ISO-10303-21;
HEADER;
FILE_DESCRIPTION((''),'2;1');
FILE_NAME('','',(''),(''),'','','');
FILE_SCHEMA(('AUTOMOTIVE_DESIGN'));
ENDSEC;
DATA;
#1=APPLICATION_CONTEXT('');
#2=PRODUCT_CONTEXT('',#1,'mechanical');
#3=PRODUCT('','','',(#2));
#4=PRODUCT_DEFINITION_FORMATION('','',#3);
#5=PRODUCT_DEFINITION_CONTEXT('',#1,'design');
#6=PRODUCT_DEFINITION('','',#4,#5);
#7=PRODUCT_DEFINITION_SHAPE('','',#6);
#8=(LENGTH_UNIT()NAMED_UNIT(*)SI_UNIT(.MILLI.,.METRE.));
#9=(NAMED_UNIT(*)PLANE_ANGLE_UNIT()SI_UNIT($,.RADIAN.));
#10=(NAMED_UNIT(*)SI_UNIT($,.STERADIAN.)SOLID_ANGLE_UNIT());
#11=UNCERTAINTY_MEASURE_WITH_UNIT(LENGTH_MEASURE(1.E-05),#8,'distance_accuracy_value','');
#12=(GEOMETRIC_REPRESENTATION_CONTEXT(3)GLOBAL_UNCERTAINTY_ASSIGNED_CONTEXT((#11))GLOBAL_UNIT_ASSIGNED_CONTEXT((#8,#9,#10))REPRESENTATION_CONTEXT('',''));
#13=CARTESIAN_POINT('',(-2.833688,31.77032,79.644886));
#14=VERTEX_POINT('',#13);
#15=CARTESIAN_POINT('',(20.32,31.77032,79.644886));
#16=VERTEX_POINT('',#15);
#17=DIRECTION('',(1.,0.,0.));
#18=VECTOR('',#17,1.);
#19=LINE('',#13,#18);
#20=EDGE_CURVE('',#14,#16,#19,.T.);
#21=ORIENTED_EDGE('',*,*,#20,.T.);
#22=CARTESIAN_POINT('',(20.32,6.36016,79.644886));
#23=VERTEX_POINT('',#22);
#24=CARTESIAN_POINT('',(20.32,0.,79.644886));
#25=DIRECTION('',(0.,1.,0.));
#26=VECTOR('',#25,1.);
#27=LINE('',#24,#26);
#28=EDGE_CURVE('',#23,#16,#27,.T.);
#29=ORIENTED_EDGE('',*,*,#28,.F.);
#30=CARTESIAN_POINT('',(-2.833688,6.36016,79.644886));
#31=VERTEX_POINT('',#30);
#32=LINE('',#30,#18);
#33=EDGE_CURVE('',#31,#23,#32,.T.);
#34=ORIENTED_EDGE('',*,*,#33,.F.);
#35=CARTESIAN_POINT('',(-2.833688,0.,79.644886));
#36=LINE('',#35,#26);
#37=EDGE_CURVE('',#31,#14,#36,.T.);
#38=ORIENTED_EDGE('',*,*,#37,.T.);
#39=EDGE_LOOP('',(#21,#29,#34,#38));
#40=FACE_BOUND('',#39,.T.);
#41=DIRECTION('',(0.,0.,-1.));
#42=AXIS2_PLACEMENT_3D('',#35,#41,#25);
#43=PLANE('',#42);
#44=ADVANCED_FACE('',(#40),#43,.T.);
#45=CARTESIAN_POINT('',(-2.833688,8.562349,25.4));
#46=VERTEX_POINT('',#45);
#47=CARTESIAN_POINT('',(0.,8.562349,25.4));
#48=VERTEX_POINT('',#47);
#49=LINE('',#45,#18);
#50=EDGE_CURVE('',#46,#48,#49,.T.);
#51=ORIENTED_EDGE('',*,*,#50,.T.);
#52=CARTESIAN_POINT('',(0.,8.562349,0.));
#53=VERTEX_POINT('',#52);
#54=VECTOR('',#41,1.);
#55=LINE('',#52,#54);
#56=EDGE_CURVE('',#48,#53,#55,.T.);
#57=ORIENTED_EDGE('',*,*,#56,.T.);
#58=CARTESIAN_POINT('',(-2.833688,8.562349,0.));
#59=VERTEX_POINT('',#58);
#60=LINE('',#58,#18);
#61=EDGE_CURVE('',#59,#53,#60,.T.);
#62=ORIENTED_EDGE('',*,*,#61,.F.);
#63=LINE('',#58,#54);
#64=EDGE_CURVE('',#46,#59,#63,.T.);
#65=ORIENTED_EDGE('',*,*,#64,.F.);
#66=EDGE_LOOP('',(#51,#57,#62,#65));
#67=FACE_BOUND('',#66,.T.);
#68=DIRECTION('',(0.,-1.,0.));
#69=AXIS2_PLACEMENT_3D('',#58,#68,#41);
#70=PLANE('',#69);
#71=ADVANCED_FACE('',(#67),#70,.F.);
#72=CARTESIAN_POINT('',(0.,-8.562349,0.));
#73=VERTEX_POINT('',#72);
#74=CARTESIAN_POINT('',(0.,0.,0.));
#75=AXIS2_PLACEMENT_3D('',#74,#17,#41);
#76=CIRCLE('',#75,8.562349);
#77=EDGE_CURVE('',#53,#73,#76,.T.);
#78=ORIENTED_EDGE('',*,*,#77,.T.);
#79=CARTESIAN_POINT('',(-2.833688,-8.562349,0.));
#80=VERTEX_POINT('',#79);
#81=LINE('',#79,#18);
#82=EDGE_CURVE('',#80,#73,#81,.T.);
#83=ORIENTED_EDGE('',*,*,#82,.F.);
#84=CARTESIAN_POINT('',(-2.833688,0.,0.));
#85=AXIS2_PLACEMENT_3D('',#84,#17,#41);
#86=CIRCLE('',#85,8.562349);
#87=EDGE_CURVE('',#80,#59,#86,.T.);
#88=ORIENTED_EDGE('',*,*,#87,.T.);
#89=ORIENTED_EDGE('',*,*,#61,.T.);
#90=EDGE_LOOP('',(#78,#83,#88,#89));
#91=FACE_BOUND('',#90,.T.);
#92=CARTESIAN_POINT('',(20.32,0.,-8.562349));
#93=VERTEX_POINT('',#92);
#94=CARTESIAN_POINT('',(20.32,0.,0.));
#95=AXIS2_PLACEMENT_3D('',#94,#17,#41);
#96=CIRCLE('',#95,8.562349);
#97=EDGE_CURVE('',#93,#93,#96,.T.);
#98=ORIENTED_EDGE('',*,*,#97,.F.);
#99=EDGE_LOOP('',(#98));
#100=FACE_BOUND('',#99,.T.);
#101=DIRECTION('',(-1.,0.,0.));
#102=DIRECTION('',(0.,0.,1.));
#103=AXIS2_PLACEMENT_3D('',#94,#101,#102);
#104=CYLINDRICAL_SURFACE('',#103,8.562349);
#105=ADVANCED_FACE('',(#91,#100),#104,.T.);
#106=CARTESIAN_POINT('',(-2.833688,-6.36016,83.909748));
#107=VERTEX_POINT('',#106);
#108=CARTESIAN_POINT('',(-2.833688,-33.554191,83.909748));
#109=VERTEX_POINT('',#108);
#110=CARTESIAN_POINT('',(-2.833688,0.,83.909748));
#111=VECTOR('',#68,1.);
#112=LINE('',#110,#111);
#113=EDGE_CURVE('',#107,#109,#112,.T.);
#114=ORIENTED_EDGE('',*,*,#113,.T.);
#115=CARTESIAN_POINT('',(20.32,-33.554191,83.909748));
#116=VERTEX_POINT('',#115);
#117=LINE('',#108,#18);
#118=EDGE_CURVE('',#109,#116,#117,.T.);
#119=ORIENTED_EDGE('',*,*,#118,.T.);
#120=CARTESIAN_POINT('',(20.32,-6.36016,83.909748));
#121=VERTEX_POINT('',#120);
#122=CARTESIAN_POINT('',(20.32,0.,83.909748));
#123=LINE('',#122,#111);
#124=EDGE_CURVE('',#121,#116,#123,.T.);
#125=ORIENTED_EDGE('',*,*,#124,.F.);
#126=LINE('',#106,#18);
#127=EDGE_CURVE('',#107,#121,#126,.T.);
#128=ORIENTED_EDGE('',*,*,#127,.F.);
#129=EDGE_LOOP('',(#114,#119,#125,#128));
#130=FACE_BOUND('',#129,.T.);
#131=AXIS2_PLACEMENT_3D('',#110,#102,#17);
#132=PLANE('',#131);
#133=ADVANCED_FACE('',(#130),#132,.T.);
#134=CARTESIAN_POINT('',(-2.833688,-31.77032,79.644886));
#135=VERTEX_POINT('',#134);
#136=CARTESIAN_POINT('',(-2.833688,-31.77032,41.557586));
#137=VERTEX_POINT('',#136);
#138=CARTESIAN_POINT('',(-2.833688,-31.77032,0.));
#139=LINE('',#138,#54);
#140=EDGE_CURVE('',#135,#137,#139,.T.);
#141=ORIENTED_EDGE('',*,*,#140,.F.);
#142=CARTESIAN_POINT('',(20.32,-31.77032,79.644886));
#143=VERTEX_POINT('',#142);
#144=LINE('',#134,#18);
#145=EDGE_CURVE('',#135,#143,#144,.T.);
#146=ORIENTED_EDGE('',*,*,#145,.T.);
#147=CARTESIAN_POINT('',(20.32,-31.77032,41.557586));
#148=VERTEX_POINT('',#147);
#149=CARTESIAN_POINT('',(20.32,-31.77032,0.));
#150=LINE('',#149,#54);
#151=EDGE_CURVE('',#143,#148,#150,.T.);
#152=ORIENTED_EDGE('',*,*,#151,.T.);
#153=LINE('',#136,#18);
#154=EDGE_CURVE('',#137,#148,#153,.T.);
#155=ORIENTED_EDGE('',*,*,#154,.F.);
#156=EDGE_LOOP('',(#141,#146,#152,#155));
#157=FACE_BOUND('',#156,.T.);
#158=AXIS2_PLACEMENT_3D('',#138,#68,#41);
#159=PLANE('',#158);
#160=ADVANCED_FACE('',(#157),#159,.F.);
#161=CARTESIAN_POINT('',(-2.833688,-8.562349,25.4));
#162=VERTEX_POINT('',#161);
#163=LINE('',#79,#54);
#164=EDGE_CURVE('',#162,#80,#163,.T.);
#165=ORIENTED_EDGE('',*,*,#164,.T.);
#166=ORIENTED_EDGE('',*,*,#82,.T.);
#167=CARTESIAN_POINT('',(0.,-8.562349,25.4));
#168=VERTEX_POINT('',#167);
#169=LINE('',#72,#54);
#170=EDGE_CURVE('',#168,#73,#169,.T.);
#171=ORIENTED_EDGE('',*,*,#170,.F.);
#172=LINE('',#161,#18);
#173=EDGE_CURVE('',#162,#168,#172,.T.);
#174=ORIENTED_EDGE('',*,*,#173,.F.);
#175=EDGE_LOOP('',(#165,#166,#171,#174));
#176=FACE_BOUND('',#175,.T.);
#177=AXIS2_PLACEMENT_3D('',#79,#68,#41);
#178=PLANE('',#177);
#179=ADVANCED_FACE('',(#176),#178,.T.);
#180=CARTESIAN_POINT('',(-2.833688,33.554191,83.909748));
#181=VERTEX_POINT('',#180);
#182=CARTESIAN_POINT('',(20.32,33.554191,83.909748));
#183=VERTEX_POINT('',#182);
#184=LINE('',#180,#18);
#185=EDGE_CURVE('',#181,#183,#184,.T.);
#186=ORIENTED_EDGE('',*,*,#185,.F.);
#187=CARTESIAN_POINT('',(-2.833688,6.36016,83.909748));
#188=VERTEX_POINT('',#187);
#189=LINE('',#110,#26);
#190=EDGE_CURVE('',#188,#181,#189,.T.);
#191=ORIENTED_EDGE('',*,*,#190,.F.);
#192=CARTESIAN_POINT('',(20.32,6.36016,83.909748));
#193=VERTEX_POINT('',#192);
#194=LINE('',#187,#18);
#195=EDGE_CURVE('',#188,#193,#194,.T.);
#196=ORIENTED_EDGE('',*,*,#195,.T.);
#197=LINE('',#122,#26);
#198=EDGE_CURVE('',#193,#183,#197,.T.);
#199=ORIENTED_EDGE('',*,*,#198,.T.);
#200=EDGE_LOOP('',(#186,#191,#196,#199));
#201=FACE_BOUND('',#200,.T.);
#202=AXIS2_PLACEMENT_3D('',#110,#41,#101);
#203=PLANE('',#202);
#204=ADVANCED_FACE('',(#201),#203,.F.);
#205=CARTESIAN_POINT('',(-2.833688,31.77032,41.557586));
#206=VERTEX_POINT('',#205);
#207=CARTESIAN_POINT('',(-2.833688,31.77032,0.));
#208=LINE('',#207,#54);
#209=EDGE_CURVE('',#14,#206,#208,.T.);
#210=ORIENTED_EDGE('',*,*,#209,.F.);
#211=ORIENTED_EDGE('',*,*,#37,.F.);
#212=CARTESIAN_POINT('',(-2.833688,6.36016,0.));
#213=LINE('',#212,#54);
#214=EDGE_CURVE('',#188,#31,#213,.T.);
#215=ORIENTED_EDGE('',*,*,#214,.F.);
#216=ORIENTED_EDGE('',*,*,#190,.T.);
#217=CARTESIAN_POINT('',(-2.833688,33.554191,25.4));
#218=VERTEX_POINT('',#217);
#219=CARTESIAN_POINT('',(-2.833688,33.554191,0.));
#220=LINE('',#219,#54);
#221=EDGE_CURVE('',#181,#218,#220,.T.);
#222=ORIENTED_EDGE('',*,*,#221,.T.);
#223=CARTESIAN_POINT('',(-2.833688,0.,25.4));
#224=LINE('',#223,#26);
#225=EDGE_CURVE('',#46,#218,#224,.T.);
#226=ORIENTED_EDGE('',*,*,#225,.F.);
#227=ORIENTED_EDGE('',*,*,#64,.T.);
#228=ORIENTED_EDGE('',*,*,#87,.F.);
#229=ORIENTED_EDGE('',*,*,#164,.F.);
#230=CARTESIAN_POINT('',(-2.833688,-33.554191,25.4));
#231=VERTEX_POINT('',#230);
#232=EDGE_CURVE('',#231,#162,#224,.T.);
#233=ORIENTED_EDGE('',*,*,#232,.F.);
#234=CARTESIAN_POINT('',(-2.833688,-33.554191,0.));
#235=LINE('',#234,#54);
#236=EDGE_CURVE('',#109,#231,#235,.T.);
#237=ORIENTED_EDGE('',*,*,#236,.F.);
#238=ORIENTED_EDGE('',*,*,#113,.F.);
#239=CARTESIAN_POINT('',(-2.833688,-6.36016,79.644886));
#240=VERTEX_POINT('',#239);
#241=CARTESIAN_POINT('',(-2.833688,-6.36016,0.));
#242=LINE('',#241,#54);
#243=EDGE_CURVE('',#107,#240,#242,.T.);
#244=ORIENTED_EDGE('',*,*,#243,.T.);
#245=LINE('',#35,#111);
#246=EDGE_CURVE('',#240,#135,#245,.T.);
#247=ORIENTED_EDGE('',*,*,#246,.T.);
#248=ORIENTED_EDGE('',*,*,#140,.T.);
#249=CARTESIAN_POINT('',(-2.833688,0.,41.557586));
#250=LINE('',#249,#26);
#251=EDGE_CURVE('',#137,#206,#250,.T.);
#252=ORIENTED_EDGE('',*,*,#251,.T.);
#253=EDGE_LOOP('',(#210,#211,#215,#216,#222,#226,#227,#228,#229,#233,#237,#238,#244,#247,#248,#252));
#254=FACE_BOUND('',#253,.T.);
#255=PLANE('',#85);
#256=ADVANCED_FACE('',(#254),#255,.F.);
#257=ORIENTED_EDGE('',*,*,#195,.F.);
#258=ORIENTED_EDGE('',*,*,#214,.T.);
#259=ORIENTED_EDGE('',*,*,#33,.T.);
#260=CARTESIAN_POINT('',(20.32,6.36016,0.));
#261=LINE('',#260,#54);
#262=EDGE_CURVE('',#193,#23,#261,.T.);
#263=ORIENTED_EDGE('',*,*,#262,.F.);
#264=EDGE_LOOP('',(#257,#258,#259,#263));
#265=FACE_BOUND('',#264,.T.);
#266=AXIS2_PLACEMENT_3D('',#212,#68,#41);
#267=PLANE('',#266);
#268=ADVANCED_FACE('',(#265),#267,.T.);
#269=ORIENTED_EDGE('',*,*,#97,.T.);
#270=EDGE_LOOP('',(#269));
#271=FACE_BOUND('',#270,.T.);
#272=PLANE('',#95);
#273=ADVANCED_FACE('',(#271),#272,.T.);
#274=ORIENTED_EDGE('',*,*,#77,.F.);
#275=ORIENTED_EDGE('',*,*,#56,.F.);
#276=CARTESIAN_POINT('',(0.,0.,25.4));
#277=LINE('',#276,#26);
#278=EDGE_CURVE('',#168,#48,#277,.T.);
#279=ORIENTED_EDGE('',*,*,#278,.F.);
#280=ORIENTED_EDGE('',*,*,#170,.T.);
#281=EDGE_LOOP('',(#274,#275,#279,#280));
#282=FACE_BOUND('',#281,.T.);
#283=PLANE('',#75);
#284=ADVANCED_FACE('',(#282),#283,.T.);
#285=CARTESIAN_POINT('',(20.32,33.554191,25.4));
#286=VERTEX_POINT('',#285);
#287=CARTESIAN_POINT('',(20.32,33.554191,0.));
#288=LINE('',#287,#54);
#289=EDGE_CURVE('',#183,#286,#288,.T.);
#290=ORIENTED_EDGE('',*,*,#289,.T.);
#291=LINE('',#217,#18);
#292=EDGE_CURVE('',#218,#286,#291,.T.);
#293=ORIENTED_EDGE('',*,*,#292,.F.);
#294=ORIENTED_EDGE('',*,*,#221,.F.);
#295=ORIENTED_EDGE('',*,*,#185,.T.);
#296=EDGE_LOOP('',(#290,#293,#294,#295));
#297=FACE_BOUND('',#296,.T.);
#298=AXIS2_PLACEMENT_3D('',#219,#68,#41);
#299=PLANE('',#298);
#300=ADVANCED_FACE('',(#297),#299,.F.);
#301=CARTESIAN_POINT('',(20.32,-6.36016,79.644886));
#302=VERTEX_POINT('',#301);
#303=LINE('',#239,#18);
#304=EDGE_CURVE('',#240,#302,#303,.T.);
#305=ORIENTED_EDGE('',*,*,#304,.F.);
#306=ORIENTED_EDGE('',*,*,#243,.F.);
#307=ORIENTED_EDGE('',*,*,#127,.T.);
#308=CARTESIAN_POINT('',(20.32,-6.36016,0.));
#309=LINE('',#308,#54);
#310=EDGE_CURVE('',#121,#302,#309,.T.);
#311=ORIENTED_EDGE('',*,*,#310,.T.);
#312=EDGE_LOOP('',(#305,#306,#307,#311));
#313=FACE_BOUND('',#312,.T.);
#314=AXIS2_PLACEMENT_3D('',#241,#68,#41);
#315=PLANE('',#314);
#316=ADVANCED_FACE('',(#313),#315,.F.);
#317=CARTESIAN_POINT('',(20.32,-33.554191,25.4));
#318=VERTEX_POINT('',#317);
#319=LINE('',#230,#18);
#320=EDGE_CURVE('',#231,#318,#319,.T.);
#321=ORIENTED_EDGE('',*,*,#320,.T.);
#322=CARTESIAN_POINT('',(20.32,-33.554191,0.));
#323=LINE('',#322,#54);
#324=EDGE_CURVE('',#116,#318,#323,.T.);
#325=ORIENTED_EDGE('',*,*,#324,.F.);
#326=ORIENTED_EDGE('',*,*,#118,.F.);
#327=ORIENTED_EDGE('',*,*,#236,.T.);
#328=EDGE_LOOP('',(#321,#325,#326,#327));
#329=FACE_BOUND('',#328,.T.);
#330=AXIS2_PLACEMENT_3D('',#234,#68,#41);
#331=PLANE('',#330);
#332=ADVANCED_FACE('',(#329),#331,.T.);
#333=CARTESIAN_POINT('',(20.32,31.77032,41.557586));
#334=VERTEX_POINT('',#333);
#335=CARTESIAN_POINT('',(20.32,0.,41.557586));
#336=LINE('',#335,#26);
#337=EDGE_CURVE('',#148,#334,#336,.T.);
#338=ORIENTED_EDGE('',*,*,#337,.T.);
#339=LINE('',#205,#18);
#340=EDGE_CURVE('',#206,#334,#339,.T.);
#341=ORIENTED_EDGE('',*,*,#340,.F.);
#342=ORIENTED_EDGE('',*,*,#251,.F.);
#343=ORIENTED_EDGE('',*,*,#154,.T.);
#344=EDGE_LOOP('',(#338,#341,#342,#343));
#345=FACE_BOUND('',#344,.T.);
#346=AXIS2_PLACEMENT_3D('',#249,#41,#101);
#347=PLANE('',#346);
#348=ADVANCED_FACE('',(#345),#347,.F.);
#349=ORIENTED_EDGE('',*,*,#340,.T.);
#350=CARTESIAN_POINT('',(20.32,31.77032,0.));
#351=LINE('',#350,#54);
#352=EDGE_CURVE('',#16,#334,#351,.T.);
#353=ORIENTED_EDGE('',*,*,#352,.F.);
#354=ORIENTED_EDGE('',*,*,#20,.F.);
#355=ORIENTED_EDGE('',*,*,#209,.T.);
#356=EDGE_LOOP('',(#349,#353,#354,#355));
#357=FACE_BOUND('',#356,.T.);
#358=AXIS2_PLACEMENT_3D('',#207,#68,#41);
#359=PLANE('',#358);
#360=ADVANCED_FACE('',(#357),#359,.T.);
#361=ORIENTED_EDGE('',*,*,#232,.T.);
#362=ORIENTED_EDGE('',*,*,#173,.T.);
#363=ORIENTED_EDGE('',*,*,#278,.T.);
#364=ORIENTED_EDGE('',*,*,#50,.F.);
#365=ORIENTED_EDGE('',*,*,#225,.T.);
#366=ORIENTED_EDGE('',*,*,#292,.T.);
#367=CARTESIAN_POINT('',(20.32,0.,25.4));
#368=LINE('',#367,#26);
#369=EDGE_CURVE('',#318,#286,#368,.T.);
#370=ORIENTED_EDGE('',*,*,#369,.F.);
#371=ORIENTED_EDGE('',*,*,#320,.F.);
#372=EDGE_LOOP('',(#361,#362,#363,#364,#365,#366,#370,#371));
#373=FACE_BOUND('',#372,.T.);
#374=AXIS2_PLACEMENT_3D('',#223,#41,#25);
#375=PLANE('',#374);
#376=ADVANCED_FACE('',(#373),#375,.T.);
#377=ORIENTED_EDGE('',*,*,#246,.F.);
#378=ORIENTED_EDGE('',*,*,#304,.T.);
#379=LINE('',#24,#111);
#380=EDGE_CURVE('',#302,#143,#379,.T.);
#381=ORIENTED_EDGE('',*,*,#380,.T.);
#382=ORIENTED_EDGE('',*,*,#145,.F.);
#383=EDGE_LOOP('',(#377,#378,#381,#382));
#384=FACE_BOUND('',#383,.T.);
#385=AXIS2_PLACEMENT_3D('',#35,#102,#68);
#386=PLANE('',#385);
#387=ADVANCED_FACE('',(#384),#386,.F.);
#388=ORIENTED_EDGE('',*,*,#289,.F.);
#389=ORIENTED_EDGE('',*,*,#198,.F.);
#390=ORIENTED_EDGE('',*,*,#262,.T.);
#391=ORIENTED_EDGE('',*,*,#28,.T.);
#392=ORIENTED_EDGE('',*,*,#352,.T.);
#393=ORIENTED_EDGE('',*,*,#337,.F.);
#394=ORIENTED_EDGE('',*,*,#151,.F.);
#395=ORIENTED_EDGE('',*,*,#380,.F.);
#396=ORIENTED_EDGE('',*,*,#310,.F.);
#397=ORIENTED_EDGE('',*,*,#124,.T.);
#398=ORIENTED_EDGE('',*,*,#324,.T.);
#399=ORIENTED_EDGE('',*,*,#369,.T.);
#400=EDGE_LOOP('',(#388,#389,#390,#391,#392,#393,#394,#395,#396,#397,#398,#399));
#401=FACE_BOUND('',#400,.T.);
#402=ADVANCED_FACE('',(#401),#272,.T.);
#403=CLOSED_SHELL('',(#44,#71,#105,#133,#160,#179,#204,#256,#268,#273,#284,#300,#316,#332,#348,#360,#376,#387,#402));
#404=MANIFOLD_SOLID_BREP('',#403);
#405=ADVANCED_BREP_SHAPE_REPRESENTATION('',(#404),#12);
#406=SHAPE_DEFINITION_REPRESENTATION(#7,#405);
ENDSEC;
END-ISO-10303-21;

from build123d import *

# Parameters (mm, degrees)
SKETCH1_R                = 8.562349171
BOSS_EXTRUDE1_DEPTH      = 20.32
BOSS_EXTRUDE2_START      = -2.833688097
SKETCH1_5_R              = 8.562349171
BOSS_EXTRUDE2_DEPTH      = 2.833688097
BOSS_EXTRUDE3_DEPTH      = 20.32
BOSS_EXTRUDE3_DEPTH_BACK = 2.833688097


with BuildPart() as part:
    # Sketch1 → Boss-Extrude1 (new body)
    with BuildSketch(Plane.YZ):
        with Locations(Location((0, 0, 0), (0, 0, 270))):
            Circle(SKETCH1_R)
    extrude(amount=BOSS_EXTRUDE1_DEPTH)

    # Sketch1<5> → Boss-Extrude2 (add)
    with BuildSketch(Plane.YZ.offset(BOSS_EXTRUDE2_START)):
        with Locations(Location((0, 0, 0), (0, 0, 180))):
            Circle(SKETCH1_5_R)
        with BuildLine():
            Line((8.562349171, 25.4), (-8.562349171, 25.4))
            Line((-8.562349171, 25.4), (-8.562349171, 0))
            ThreePointArc((-8.562349171, 0), (0, 8.562349171), (8.562349171, 0))
            Line((8.562349171, 0), (8.562349171, 25.4))
        make_face()
    extrude(amount=BOSS_EXTRUDE2_DEPTH)

    # Sketch1<6> → Boss-Extrude3 (add, two sides: drawn at the far end of the back side and taken through both)
    with BuildSketch(Plane.YZ.offset(-BOSS_EXTRUDE3_DEPTH_BACK)):
        Polygon((-33.554191153, 25.4), (-8.562349171, 25.4), (8.562349171, 25.4), (33.554191153, 25.4), (33.554191153, 83.9097483), (6.36016, 83.9097483), (6.36016, 79.644886138), (31.77032, 79.644886138), (31.77032, 41.557586138), (-31.77032, 41.557586138), (-31.77032, 79.644886138), (-6.36016, 79.644886138), (-6.36016, 83.9097483), (-33.554191153, 83.9097483), align=None)
    extrude(amount=BOSS_EXTRUDE3_DEPTH + BOSS_EXTRUDE3_DEPTH_BACK)


solid = part.part
